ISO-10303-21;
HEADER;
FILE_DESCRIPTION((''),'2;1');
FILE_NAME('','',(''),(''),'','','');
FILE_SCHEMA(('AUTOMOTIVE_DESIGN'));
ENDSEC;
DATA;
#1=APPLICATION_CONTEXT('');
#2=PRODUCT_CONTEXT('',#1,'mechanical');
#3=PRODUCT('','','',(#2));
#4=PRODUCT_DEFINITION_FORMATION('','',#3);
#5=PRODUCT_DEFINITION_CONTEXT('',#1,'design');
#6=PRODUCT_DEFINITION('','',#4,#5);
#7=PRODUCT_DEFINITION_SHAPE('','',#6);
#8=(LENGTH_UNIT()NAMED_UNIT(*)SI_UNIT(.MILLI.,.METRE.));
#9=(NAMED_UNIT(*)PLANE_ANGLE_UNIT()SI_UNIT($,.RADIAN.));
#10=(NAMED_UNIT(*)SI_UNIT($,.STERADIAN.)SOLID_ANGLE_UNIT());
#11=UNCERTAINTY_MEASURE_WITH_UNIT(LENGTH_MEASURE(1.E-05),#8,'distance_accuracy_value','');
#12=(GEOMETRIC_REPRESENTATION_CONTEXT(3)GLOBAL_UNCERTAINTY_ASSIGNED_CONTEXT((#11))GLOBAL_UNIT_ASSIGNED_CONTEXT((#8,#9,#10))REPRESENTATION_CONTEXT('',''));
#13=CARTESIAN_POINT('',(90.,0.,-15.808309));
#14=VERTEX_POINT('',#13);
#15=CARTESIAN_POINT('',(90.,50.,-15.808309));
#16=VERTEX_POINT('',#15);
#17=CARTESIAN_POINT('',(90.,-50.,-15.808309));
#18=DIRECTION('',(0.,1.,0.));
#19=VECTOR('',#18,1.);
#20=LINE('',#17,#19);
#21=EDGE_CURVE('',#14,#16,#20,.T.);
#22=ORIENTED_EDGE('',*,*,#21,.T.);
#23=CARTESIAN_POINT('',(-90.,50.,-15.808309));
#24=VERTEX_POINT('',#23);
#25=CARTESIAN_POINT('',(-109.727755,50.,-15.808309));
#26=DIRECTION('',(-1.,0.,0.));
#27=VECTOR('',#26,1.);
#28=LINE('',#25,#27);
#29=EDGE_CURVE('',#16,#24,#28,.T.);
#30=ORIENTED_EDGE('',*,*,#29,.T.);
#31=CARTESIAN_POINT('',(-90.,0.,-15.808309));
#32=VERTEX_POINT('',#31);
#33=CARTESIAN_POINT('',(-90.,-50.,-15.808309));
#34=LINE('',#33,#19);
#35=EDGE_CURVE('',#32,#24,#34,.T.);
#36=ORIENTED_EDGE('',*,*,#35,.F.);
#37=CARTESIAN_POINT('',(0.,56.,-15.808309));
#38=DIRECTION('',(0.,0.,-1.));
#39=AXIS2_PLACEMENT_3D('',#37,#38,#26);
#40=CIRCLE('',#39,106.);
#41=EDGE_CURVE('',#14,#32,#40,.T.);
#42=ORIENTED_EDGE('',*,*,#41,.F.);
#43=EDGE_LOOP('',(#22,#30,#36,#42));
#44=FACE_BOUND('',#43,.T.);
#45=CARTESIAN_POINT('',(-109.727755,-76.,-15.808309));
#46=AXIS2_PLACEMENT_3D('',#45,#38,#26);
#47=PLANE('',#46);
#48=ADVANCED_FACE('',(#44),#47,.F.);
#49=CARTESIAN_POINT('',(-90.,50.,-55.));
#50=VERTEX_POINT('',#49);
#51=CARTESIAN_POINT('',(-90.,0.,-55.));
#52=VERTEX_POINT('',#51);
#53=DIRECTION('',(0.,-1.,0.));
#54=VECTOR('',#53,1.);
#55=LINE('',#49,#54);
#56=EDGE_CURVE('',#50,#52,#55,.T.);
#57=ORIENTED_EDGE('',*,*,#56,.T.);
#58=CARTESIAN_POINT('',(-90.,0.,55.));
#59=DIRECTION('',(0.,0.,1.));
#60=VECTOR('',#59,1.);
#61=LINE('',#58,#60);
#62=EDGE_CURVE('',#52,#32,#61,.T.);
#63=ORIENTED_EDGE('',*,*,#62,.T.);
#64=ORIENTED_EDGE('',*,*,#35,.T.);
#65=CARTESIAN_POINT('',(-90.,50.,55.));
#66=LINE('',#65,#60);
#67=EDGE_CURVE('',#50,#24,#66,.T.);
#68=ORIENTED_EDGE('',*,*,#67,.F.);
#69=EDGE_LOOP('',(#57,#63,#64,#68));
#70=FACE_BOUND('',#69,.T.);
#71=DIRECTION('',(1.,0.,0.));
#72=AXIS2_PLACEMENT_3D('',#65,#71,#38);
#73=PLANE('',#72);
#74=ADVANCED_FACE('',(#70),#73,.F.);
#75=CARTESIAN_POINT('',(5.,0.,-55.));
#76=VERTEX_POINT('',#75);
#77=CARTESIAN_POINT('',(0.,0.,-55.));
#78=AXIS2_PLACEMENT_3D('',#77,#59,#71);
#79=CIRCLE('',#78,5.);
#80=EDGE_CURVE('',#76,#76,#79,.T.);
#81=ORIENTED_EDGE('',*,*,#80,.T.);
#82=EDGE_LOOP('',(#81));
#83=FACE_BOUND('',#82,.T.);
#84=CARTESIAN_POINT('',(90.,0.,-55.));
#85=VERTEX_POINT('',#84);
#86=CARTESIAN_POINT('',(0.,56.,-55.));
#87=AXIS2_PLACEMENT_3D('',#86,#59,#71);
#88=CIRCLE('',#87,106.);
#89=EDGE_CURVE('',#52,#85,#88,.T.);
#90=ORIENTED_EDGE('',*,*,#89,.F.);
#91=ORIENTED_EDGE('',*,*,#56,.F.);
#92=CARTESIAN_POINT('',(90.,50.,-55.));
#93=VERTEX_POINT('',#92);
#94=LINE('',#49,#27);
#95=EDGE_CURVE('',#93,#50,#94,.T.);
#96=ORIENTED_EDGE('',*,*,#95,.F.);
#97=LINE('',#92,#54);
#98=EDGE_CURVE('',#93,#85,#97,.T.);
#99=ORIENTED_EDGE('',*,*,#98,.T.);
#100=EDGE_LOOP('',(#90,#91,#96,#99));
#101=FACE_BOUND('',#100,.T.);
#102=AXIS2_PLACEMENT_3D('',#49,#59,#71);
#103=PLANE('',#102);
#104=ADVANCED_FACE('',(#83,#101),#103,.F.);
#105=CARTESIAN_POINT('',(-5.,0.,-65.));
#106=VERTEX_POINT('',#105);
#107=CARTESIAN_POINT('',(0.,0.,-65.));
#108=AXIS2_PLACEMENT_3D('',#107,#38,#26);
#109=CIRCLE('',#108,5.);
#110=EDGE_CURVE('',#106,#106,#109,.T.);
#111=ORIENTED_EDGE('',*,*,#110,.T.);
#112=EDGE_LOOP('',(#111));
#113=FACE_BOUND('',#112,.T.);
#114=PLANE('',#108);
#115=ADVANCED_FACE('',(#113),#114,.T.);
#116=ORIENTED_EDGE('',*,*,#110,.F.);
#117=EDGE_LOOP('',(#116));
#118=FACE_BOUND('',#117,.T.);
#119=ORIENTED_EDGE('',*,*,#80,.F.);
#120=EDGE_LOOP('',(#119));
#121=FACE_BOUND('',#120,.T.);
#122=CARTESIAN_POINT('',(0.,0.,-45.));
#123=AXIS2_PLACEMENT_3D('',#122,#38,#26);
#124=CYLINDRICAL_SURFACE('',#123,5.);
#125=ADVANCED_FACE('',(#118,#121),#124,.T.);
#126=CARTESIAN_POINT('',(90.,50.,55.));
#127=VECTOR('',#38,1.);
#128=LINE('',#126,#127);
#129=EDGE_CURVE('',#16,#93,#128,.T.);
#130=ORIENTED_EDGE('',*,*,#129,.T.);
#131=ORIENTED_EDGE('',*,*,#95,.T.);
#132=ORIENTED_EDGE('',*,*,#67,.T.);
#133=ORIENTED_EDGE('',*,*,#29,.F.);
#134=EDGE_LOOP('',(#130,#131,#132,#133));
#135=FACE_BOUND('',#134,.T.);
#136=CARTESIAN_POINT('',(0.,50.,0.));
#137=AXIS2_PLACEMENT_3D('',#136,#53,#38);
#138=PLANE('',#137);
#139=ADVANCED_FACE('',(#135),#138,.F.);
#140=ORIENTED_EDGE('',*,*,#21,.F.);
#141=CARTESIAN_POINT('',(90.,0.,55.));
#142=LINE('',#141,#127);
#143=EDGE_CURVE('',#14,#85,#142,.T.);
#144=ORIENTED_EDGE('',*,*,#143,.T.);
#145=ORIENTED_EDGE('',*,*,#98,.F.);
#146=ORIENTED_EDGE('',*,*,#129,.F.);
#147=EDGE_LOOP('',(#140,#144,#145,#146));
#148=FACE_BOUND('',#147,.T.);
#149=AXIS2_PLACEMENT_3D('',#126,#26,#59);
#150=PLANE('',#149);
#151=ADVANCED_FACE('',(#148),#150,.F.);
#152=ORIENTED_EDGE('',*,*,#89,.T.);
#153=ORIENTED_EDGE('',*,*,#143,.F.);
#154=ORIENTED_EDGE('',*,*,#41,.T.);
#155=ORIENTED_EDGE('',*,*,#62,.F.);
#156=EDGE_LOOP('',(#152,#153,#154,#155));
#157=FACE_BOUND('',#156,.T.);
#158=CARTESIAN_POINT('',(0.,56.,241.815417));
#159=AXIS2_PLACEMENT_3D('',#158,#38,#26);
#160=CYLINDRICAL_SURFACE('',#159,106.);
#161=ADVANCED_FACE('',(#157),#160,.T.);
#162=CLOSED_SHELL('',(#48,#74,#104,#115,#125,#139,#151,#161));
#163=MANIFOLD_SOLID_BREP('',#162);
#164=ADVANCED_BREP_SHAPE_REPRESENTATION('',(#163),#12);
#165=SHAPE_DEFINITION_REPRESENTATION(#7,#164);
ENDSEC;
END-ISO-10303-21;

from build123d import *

# Parameters (mm, degrees)
SKETCH1_W                = 180
SKETCH1_H                = 110
BOSS_EXTRUDE1_DEPTH      = 50
BOSS_EXTRUDE2_DEPTH      = 110
CUT_EXTRUDE1_DEPTH       = 146.344418537
BOSS_EXTRUDE5_DEPTH      = 10
BOSS_EXTRUDE5_DEPTH_BACK = 10
SKETCH5_R                = 5
SKETCH6_W                = 218.788065493
SKETCH6_H                = 71.8794134
CUT_EXTRUDE2_DEPTH       = 126


with BuildPart() as part:
    # Sketch1 → Boss-Extrude1 (new body)
    with BuildSketch(Plane(origin=(0, 0, 0), x_dir=(1, 0, 0), z_dir=(0, 1, 0))):
        Rectangle(SKETCH1_W, SKETCH1_H)
    extrude(amount=BOSS_EXTRUDE1_DEPTH)

    # Sketch2 → Boss-Extrude2 (add)
    with BuildSketch(Plane(origin=(-35, 0, -55), x_dir=(1, 0, 0), z_dir=(0, 0, 1))):
        with BuildLine():
            Line((-55, 0), (125, 0))
            ThreePointArc((125, 0), (35, -50), (-55, 0))
        make_face()
    extrude(amount=BOSS_EXTRUDE2_DEPTH)

    # Sketch3 → Cut-Extrude1 (cut, through all)
    with BuildSketch(Plane(origin=(0, 50, 0), x_dir=(1, 0, 0), z_dir=(0, 1, 0))):
        Polygon((-49.118803686, -55), (-90, 15.808309091), (-90, -55), align=None)
    cut_extrude1 = extrude(amount=-CUT_EXTRUDE1_DEPTH, mode=Mode.SUBTRACT)

    # Mirror1: Cut-Extrude1 across plane
    add(cut_extrude1.mirror(Plane(origin=(0, 0, 0), x_dir=(0, 0, 1), z_dir=(1, 0, 0))), mode=Mode.SUBTRACT)

    # Sketch5 → Boss-Extrude5 (add, two sides: drawn at the far end of the back side and taken through both)
    with BuildSketch(Plane(origin=(0, 0, -55), x_dir=(-1, 0, 0), z_dir=(0, 0, -1)).offset(-BOSS_EXTRUDE5_DEPTH_BACK)):
        Circle(SKETCH5_R)
    extrude(amount=BOSS_EXTRUDE5_DEPTH + BOSS_EXTRUDE5_DEPTH_BACK)

    # Sketch4 → Revolve1 (revolve)
    with BuildSketch(Plane(origin=(-60.654801368, 0, 35.019065898), x_dir=(0.49999999999999495, 0, 0.8660254037844417), z_dir=(-0.8660254037844417, 0, 0.49999999999999495))):
        with BuildLine():
            ThreePointArc((-20.965161058, 42.942576489), (4.034838942, 17.942576489), (-20.965161058, -7.057423511))
            Line((-20.965161058, -7.057423511), (-20.965161058, 42.942576489))
        make_face()
    revolve1 = revolve(axis=Axis((-71.137381897, 42.942576489, 16.862703827), (0, -1, 0)))

    # Mirror2: Revolve1 across plane
    add(revolve1.mirror(Plane(origin=(0, 0, 0), x_dir=(0, 0, 1), z_dir=(1, 0, 0))))

    # Sketch6 → Cut-Extrude2 (cut)
    with BuildSketch(Plane(origin=(0, 50, 0), x_dir=(1, 0, 0), z_dir=(0, 1, 0))):
        with Locations((-0.333721882, -20.131397609)):
            Rectangle(SKETCH6_W, SKETCH6_H)
    extrude(amount=-CUT_EXTRUDE2_DEPTH, mode=Mode.SUBTRACT)


solid = part.part
